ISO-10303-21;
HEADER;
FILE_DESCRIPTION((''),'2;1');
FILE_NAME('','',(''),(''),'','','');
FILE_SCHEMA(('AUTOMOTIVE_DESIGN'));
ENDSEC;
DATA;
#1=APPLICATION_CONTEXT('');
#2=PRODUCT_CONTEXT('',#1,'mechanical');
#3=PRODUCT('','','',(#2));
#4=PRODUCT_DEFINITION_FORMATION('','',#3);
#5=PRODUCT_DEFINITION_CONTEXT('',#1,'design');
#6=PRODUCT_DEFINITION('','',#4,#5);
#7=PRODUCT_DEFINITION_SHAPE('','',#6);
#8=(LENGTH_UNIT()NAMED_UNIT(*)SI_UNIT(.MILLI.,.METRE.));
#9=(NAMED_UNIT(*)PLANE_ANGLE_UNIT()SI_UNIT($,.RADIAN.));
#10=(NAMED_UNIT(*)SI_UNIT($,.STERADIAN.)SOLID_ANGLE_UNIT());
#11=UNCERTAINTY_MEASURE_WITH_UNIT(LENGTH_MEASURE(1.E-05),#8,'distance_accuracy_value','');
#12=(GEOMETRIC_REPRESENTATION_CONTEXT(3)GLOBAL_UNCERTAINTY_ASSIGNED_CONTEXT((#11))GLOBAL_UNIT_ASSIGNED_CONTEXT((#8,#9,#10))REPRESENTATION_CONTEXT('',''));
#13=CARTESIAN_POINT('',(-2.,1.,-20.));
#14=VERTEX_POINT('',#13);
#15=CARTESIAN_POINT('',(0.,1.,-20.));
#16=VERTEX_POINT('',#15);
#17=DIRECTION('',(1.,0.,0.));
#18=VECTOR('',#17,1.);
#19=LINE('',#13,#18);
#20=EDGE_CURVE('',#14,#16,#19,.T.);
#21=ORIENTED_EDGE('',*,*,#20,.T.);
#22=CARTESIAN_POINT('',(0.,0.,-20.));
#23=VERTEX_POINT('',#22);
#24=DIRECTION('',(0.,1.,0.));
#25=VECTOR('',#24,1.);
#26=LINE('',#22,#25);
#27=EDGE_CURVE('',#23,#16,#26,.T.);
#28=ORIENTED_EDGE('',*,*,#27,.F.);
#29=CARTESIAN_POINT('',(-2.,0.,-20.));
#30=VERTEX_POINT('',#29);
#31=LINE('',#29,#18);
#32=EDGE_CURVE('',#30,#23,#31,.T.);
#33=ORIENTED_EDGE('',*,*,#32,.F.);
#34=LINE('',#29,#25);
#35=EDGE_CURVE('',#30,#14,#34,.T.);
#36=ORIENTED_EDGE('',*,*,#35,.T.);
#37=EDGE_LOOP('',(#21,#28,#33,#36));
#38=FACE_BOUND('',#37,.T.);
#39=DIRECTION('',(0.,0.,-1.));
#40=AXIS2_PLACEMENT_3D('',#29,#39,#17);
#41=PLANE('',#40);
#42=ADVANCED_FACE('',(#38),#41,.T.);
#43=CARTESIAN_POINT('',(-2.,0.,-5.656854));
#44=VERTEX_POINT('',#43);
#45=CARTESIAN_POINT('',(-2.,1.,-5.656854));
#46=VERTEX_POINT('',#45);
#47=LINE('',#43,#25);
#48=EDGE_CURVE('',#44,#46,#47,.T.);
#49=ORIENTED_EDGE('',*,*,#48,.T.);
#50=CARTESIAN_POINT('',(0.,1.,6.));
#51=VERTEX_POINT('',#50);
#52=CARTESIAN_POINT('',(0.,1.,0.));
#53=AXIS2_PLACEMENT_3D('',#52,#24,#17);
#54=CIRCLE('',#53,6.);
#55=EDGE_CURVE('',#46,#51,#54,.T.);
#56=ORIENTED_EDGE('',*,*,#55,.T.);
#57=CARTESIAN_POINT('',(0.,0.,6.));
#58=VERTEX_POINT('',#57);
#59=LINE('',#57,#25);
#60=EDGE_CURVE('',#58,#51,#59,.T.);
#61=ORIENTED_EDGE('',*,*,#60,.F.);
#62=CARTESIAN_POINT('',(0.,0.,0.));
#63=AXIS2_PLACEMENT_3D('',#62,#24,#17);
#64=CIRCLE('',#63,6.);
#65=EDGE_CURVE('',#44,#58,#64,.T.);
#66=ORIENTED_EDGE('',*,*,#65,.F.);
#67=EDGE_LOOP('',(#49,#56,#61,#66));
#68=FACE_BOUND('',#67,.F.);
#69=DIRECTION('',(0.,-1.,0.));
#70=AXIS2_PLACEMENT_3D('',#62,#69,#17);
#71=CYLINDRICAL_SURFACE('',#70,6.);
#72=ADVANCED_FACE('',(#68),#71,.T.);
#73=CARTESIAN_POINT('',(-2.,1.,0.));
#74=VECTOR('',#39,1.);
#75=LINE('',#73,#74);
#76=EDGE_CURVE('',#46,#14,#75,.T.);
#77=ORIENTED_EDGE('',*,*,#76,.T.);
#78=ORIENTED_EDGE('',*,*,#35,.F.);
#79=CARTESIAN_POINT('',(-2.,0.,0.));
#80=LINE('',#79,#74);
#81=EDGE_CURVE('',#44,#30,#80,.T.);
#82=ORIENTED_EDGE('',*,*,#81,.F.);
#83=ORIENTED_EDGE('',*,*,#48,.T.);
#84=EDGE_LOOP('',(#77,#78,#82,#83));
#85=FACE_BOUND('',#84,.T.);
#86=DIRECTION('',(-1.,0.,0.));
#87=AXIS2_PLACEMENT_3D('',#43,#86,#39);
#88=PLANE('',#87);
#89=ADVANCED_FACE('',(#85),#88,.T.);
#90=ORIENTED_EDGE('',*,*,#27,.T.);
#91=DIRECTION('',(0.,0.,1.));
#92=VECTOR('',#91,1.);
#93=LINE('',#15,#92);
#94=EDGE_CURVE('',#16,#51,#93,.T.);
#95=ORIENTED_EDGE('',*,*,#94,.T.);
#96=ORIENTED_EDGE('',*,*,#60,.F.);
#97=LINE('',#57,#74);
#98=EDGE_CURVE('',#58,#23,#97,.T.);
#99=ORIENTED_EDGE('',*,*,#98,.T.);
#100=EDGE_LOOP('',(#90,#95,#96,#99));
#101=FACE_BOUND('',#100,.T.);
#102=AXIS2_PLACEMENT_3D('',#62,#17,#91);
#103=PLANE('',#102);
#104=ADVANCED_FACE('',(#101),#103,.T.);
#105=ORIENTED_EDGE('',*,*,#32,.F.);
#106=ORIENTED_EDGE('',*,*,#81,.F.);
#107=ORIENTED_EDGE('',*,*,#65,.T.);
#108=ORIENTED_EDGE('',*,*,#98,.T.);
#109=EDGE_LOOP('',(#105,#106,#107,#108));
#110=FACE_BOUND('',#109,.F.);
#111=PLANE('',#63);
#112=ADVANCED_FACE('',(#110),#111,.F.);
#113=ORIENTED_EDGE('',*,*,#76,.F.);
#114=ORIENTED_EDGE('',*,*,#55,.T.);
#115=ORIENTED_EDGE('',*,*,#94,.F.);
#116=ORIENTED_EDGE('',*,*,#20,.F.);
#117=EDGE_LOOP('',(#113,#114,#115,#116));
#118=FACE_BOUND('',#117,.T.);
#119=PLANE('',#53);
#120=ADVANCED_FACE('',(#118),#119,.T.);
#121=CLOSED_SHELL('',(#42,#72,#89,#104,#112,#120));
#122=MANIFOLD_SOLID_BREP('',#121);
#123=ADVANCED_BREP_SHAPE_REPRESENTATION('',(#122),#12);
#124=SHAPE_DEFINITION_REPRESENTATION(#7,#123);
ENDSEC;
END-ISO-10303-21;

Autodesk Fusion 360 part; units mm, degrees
sketch "Sketch1" plane through (0, 0, 0) normal (0, 1, 0) x (1, 0, 0)
  circle A0 centre (0, 0) radius 6
  line L0 (-2, 20) -> (2, 20)
  line L1 (2, 20) -> (2, 0)
  line L2 (2, 0) -> (-2, 0)
  line L3 (-2, 0) -> (-2, 20)
  line L4 (0, 20) -> (0, -6)
  dimension "d1" = 12
  dimension "d2" = 4
  dimension "d3" = 20
extrude "Extrude1" add sketch "Sketch1" along normal blind 1 contours A0 L2 L3 L4 | A0 L0 L3 L4 | A0 L2 L3 L4
